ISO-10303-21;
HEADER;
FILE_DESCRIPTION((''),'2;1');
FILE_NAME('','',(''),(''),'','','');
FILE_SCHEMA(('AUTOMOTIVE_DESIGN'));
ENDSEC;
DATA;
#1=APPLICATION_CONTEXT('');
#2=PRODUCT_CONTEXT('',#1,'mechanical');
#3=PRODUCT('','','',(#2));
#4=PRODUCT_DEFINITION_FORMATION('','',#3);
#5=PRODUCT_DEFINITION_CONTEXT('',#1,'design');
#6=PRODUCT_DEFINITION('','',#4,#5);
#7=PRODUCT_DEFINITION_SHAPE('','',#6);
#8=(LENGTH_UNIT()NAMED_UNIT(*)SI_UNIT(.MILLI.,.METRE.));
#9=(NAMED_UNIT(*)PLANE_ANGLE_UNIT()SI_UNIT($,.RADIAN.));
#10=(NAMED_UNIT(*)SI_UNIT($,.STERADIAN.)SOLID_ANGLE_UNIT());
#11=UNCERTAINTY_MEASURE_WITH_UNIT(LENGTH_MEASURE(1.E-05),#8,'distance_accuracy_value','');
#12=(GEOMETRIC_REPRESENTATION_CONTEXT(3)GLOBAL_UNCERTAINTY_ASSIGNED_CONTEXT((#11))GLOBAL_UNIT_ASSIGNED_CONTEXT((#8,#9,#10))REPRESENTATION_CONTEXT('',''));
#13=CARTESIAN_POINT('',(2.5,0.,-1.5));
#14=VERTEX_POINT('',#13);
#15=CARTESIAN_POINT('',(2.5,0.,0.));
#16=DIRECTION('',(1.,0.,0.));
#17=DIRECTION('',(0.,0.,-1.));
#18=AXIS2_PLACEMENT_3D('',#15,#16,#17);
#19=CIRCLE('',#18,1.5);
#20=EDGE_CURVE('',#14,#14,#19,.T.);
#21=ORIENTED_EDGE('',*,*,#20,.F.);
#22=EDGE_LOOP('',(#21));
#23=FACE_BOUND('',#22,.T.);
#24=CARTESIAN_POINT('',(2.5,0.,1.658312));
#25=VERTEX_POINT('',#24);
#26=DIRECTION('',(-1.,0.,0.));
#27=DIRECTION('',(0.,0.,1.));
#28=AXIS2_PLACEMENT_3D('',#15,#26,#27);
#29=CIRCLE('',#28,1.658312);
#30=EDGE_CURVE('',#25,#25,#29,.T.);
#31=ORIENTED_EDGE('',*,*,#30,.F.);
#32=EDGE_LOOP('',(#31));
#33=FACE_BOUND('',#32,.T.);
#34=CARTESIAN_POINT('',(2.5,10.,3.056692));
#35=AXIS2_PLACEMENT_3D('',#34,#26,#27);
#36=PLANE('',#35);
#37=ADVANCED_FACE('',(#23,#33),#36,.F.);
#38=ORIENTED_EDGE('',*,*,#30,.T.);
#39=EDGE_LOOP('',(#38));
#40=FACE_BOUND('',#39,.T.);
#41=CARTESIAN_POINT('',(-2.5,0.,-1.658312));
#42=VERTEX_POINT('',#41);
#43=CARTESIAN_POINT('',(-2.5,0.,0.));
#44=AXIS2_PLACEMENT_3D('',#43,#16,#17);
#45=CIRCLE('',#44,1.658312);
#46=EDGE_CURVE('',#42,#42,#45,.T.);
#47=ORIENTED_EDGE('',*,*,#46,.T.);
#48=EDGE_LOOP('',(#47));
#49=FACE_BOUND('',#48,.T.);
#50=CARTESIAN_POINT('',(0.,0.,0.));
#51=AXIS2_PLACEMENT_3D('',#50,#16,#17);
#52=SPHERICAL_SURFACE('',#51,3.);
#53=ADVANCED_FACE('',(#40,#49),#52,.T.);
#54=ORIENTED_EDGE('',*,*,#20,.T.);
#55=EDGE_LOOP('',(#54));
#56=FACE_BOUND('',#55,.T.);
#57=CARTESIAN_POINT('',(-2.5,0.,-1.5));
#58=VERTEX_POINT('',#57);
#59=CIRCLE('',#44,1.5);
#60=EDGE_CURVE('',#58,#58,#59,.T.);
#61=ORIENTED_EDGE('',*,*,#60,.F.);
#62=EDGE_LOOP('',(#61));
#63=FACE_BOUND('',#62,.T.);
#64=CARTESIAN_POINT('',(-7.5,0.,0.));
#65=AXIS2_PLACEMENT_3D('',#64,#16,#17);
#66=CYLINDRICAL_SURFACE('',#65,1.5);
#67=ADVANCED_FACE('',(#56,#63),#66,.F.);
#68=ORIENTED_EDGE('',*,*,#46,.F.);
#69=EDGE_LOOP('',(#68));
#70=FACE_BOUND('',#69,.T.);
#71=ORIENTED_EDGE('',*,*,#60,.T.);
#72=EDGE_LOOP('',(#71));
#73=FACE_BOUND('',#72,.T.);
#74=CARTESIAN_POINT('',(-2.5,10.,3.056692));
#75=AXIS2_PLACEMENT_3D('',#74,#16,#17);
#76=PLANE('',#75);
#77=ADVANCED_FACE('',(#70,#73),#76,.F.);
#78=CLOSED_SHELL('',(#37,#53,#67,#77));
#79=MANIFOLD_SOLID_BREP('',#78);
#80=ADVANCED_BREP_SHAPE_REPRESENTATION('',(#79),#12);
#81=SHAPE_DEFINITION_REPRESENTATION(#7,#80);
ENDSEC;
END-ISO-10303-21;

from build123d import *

# Parameters (mm, degrees)
CUT_EXTRUDE_1_DEPTH      = 10
CUT_EXTRUDE_1_DEPTH_BACK = 10
SKETCH_2_W               = 8.130865192
SKETCH_2_H               = 8.836363256
SKETCH_2_W_2             = 5
SKETCH_2_H_2             = 6.113384394
SKETCH_3_R               = 1.5
CUT_EXTRUDE_2_DEPTH      = 10


with BuildPart() as part:
    # 草图1 → 旋转1 (revolve)
    with BuildSketch(Plane(origin=(0, 0, 0), x_dir=(1, 0, 0), z_dir=(0, 1, 0))):
        with BuildLine():
            ThreePointArc((3, 0), (2.121320344, 2.121320344), (0, 3))
            Line((0, 3), (0, -3))
            ThreePointArc((0, -3), (2.121320344, -2.121320344), (3, 0))
        make_face()
    revolve(axis=Axis((0, 0, -3), (0, 0, 1)))

    # 草图2 → 切除-拉伸1 (cut, two sides: drawn at the far end of the back side and taken through both)
    with BuildSketch(Plane(origin=(0, 0, 0), x_dir=(1, 0, 0), z_dir=(0, 1, 0)).offset(-CUT_EXTRUDE_1_DEPTH_BACK)):
        with Locations((0.270511146, -0.599851934)):
            Rectangle(SKETCH_2_W, SKETCH_2_H)
        Rectangle(SKETCH_2_W_2, SKETCH_2_H_2, mode=Mode.SUBTRACT)
    extrude(amount=CUT_EXTRUDE_1_DEPTH + CUT_EXTRUDE_1_DEPTH_BACK, mode=Mode.SUBTRACT)

    # 草图3 → 切除-拉伸2 (cut)
    with BuildSketch(Plane(origin=(2.5, 0, 0), x_dir=(0, 0, -1), z_dir=(1, 0, 0))):
        Circle(SKETCH_3_R)
    extrude(amount=-CUT_EXTRUDE_2_DEPTH, mode=Mode.SUBTRACT)


solid = part.part
